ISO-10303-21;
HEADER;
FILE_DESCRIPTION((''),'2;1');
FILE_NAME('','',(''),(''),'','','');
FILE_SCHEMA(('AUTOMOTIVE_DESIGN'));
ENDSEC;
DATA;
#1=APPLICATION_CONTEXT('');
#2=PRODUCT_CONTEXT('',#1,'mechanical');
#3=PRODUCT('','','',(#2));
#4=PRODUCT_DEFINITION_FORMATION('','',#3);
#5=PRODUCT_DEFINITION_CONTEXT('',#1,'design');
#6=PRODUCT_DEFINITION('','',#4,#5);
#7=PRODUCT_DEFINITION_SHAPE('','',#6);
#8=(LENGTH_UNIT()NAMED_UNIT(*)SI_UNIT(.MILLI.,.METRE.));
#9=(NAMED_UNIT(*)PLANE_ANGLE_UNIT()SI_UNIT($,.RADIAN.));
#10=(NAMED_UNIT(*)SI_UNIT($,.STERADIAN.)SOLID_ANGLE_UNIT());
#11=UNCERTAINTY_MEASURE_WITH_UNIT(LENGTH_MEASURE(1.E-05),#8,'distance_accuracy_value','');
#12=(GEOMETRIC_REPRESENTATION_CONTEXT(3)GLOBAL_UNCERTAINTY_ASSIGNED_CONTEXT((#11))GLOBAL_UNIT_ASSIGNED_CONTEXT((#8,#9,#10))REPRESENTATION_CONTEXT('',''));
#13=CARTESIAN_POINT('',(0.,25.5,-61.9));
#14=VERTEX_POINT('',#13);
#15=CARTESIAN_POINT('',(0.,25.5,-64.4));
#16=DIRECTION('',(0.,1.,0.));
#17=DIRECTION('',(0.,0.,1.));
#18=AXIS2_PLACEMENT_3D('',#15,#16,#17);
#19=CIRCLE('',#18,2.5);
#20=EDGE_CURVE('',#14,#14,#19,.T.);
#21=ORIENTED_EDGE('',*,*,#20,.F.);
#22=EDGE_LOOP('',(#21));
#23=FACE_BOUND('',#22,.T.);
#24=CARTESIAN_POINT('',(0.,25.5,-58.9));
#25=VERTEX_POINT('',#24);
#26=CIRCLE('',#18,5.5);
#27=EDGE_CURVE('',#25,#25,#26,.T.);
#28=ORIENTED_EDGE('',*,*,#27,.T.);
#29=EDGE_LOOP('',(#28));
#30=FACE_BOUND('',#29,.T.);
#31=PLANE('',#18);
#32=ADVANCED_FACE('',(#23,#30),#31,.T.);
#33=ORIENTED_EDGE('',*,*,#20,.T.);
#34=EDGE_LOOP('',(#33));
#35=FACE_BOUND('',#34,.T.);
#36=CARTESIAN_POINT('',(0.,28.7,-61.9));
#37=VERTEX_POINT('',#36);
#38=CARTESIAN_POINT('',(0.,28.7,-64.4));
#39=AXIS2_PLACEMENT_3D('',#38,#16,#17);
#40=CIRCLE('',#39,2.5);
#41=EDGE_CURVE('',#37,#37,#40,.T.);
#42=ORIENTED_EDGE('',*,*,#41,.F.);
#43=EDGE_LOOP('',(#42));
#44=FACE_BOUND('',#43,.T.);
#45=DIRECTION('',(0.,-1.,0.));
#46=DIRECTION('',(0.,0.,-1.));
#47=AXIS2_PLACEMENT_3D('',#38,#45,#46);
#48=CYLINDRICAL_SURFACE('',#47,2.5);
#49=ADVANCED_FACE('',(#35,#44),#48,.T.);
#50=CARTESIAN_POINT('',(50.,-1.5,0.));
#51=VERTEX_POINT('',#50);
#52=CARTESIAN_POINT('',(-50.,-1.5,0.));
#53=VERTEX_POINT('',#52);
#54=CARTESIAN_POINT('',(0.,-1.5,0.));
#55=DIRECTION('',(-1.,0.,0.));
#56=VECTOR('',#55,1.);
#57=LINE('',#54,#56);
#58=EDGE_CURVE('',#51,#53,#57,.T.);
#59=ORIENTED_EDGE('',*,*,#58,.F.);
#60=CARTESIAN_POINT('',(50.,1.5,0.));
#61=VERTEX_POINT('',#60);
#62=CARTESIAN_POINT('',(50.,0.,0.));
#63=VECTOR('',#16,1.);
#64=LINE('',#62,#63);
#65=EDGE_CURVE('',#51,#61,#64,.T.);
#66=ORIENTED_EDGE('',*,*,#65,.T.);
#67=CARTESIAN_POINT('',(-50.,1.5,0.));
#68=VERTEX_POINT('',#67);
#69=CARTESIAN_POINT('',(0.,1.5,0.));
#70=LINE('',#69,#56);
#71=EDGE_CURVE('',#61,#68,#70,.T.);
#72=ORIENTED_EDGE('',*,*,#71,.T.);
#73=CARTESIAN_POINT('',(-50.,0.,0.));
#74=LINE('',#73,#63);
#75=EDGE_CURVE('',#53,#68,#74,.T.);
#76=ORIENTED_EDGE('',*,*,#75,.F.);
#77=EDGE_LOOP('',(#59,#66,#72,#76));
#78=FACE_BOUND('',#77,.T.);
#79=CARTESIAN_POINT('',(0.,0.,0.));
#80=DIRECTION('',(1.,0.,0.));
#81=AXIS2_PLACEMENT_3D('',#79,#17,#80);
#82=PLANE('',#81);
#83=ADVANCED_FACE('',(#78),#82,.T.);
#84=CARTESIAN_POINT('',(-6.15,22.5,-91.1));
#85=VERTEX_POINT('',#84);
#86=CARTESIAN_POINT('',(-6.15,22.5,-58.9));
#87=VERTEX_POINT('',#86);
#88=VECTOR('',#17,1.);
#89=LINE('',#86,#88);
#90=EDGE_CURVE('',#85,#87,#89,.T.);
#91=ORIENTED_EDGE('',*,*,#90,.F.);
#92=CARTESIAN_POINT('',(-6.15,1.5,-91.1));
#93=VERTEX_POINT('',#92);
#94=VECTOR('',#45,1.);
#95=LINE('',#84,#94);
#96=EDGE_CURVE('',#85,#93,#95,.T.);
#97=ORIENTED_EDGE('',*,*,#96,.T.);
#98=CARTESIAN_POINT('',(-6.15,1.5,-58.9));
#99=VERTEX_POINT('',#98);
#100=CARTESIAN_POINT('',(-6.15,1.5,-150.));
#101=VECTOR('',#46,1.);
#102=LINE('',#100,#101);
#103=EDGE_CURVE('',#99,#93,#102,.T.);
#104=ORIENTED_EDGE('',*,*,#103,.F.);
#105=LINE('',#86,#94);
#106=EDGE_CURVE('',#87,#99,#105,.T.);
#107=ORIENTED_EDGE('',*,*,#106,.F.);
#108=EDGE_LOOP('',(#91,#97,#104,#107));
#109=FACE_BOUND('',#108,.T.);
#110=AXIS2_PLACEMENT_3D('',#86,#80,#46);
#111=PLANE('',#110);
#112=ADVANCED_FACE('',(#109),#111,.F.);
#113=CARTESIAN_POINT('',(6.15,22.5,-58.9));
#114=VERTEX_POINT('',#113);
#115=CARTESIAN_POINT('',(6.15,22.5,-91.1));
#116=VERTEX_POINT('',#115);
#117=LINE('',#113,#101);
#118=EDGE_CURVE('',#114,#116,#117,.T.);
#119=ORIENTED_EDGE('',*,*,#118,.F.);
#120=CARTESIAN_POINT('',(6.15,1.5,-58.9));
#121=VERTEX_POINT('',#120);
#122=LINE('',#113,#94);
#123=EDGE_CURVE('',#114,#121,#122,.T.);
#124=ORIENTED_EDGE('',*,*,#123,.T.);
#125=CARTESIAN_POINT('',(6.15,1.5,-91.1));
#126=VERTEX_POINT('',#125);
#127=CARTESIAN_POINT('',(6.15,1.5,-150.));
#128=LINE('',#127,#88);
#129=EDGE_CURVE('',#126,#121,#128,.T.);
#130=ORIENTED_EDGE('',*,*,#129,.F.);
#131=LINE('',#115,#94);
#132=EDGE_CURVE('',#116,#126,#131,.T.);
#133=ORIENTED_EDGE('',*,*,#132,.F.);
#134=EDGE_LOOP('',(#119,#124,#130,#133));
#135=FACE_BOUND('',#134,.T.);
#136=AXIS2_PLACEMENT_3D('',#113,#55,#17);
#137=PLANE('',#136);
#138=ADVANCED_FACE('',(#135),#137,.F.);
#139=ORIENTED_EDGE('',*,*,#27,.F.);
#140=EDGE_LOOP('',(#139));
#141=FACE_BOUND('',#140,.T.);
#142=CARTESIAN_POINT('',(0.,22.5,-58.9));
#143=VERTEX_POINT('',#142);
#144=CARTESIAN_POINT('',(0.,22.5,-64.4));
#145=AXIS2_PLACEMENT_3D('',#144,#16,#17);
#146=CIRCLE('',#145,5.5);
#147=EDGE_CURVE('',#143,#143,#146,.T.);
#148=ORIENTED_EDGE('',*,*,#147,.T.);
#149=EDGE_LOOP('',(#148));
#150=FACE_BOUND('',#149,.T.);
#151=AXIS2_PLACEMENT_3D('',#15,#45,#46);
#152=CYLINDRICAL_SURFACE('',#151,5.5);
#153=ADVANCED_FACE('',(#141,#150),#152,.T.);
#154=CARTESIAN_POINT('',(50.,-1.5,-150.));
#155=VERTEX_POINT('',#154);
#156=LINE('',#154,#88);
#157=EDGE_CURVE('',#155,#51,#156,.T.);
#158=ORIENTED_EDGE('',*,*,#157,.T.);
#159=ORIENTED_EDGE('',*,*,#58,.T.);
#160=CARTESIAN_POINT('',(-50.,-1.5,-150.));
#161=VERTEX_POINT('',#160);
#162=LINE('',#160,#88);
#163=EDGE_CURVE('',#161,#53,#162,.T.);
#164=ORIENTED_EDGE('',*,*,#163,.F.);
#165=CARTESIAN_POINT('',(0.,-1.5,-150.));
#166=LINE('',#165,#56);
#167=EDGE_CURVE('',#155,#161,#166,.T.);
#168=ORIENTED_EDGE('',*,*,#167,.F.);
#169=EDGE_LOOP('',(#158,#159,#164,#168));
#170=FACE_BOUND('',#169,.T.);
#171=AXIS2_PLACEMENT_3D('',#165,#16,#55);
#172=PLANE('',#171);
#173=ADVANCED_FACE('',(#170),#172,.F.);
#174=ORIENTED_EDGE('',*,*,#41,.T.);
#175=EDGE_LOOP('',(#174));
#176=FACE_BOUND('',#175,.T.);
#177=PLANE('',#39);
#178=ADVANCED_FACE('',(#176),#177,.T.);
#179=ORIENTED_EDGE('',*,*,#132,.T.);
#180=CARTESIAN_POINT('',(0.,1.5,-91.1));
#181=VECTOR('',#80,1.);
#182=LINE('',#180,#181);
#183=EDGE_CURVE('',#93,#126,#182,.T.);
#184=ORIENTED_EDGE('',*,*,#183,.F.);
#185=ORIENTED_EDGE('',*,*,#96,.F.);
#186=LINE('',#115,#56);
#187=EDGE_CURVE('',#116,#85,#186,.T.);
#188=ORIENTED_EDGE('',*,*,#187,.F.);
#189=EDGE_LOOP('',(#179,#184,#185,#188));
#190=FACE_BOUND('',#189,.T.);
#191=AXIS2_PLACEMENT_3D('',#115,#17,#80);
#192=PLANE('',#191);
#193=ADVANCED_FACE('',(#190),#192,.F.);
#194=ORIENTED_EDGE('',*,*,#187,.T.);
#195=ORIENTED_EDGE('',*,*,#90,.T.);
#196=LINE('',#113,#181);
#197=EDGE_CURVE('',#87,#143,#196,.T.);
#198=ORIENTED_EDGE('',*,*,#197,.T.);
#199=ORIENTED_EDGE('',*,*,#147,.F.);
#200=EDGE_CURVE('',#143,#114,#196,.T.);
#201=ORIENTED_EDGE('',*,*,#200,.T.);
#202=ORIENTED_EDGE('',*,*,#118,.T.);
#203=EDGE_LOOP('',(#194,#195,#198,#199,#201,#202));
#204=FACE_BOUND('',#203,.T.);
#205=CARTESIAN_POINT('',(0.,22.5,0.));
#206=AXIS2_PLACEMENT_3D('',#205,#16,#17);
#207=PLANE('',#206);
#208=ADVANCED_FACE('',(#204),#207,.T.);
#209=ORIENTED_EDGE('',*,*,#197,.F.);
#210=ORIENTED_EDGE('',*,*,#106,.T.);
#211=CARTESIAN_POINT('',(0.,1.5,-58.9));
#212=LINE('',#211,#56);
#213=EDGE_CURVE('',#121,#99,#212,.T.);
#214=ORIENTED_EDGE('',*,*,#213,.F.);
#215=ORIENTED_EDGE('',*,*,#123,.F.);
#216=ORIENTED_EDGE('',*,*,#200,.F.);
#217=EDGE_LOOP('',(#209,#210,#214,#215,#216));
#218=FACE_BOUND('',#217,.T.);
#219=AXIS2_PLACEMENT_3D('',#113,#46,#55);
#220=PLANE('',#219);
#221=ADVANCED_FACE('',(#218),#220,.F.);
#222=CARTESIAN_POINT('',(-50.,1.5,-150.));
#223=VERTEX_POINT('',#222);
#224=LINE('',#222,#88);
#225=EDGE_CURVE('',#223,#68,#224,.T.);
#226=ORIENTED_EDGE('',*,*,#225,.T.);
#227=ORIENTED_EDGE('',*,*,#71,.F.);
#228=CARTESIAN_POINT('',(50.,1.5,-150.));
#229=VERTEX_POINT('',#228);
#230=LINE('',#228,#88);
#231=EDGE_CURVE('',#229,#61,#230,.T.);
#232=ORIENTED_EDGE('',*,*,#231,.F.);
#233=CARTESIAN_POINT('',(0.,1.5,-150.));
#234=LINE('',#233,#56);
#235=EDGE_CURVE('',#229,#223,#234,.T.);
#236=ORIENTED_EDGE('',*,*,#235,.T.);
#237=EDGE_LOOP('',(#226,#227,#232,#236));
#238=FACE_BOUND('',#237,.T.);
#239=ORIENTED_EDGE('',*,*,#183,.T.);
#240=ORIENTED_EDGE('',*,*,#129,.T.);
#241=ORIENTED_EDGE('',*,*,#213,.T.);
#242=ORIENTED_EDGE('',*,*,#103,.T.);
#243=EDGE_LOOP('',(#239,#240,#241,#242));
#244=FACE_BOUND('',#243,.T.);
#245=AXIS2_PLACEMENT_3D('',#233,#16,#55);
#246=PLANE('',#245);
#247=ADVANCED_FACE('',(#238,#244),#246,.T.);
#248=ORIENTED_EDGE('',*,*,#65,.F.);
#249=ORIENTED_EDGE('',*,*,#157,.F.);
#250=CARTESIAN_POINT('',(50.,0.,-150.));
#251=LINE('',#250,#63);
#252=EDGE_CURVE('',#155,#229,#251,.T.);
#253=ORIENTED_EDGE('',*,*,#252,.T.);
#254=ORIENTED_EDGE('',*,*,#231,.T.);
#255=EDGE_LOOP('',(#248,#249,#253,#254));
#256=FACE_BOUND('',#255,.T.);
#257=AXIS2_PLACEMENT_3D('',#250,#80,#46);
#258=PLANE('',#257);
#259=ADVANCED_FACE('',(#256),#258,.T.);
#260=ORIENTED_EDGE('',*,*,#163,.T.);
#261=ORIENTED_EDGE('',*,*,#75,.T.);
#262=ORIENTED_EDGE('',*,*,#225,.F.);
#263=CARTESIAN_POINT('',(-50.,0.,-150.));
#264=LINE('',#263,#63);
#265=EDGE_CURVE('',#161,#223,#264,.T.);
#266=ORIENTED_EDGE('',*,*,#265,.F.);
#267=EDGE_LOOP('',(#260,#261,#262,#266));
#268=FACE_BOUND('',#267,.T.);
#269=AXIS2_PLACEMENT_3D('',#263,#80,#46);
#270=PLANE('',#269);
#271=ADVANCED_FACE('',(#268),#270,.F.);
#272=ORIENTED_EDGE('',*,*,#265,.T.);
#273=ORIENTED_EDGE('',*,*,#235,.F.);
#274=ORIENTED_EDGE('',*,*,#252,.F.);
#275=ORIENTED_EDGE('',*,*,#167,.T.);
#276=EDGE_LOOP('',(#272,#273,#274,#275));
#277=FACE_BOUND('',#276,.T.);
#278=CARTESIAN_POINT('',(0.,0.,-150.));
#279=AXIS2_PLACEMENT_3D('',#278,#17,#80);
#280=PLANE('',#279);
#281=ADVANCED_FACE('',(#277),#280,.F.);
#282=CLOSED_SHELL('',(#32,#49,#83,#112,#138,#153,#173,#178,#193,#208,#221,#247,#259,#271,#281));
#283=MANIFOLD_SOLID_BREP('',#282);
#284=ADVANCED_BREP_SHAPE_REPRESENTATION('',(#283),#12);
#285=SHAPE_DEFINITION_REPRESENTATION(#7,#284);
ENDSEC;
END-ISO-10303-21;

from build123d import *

# Parameters (mm, degrees)
SKETCH2_W           = 100
SKETCH2_H           = 3
BOSS_EXTRUDE2_DEPTH = 150
SKETCH3_W           = 12.3
SKETCH3_H           = 32.2
BOSS_EXTRUDE3_DEPTH = 22.5
SKETCH4_R           = 5.5
BOSS_EXTRUDE4_DEPTH = 3
SKETCH10_R          = 2.5
BOSS_EXTRUDE5_DEPTH = 3.2


with BuildPart() as part:
    # Sketch2 → Boss-Extrude2 (new body)
    with BuildSketch(Plane.XY):
        Rectangle(SKETCH2_W, SKETCH2_H)
    extrude(amount=-BOSS_EXTRUDE2_DEPTH)

    # Sketch3 → Boss-Extrude3 (add)
    with BuildSketch(Plane(origin=(0, 0, 0), x_dir=(1, 0, 0), z_dir=(0, 1, 0))):
        with Locations((0, 75)):
            Rectangle(SKETCH3_W, SKETCH3_H)
    extrude(amount=BOSS_EXTRUDE3_DEPTH)

    # Sketch4 → Boss-Extrude4 (add)
    with BuildSketch(Plane(origin=(0, 22.5, 0), x_dir=(1, 0, 0), z_dir=(0, 1, 0))):
        with Locations((0, 64.4)):
            Circle(SKETCH4_R)
    extrude(amount=BOSS_EXTRUDE4_DEPTH)

    # Sketch10 → Boss-Extrude5 (add)
    with BuildSketch(Plane(origin=(0, 25.5, 0), x_dir=(1, 0, 0), z_dir=(0, 1, 0))):
        with Locations((0, 64.4)):
            Circle(SKETCH10_R)
    extrude(amount=BOSS_EXTRUDE5_DEPTH)


solid = part.part
